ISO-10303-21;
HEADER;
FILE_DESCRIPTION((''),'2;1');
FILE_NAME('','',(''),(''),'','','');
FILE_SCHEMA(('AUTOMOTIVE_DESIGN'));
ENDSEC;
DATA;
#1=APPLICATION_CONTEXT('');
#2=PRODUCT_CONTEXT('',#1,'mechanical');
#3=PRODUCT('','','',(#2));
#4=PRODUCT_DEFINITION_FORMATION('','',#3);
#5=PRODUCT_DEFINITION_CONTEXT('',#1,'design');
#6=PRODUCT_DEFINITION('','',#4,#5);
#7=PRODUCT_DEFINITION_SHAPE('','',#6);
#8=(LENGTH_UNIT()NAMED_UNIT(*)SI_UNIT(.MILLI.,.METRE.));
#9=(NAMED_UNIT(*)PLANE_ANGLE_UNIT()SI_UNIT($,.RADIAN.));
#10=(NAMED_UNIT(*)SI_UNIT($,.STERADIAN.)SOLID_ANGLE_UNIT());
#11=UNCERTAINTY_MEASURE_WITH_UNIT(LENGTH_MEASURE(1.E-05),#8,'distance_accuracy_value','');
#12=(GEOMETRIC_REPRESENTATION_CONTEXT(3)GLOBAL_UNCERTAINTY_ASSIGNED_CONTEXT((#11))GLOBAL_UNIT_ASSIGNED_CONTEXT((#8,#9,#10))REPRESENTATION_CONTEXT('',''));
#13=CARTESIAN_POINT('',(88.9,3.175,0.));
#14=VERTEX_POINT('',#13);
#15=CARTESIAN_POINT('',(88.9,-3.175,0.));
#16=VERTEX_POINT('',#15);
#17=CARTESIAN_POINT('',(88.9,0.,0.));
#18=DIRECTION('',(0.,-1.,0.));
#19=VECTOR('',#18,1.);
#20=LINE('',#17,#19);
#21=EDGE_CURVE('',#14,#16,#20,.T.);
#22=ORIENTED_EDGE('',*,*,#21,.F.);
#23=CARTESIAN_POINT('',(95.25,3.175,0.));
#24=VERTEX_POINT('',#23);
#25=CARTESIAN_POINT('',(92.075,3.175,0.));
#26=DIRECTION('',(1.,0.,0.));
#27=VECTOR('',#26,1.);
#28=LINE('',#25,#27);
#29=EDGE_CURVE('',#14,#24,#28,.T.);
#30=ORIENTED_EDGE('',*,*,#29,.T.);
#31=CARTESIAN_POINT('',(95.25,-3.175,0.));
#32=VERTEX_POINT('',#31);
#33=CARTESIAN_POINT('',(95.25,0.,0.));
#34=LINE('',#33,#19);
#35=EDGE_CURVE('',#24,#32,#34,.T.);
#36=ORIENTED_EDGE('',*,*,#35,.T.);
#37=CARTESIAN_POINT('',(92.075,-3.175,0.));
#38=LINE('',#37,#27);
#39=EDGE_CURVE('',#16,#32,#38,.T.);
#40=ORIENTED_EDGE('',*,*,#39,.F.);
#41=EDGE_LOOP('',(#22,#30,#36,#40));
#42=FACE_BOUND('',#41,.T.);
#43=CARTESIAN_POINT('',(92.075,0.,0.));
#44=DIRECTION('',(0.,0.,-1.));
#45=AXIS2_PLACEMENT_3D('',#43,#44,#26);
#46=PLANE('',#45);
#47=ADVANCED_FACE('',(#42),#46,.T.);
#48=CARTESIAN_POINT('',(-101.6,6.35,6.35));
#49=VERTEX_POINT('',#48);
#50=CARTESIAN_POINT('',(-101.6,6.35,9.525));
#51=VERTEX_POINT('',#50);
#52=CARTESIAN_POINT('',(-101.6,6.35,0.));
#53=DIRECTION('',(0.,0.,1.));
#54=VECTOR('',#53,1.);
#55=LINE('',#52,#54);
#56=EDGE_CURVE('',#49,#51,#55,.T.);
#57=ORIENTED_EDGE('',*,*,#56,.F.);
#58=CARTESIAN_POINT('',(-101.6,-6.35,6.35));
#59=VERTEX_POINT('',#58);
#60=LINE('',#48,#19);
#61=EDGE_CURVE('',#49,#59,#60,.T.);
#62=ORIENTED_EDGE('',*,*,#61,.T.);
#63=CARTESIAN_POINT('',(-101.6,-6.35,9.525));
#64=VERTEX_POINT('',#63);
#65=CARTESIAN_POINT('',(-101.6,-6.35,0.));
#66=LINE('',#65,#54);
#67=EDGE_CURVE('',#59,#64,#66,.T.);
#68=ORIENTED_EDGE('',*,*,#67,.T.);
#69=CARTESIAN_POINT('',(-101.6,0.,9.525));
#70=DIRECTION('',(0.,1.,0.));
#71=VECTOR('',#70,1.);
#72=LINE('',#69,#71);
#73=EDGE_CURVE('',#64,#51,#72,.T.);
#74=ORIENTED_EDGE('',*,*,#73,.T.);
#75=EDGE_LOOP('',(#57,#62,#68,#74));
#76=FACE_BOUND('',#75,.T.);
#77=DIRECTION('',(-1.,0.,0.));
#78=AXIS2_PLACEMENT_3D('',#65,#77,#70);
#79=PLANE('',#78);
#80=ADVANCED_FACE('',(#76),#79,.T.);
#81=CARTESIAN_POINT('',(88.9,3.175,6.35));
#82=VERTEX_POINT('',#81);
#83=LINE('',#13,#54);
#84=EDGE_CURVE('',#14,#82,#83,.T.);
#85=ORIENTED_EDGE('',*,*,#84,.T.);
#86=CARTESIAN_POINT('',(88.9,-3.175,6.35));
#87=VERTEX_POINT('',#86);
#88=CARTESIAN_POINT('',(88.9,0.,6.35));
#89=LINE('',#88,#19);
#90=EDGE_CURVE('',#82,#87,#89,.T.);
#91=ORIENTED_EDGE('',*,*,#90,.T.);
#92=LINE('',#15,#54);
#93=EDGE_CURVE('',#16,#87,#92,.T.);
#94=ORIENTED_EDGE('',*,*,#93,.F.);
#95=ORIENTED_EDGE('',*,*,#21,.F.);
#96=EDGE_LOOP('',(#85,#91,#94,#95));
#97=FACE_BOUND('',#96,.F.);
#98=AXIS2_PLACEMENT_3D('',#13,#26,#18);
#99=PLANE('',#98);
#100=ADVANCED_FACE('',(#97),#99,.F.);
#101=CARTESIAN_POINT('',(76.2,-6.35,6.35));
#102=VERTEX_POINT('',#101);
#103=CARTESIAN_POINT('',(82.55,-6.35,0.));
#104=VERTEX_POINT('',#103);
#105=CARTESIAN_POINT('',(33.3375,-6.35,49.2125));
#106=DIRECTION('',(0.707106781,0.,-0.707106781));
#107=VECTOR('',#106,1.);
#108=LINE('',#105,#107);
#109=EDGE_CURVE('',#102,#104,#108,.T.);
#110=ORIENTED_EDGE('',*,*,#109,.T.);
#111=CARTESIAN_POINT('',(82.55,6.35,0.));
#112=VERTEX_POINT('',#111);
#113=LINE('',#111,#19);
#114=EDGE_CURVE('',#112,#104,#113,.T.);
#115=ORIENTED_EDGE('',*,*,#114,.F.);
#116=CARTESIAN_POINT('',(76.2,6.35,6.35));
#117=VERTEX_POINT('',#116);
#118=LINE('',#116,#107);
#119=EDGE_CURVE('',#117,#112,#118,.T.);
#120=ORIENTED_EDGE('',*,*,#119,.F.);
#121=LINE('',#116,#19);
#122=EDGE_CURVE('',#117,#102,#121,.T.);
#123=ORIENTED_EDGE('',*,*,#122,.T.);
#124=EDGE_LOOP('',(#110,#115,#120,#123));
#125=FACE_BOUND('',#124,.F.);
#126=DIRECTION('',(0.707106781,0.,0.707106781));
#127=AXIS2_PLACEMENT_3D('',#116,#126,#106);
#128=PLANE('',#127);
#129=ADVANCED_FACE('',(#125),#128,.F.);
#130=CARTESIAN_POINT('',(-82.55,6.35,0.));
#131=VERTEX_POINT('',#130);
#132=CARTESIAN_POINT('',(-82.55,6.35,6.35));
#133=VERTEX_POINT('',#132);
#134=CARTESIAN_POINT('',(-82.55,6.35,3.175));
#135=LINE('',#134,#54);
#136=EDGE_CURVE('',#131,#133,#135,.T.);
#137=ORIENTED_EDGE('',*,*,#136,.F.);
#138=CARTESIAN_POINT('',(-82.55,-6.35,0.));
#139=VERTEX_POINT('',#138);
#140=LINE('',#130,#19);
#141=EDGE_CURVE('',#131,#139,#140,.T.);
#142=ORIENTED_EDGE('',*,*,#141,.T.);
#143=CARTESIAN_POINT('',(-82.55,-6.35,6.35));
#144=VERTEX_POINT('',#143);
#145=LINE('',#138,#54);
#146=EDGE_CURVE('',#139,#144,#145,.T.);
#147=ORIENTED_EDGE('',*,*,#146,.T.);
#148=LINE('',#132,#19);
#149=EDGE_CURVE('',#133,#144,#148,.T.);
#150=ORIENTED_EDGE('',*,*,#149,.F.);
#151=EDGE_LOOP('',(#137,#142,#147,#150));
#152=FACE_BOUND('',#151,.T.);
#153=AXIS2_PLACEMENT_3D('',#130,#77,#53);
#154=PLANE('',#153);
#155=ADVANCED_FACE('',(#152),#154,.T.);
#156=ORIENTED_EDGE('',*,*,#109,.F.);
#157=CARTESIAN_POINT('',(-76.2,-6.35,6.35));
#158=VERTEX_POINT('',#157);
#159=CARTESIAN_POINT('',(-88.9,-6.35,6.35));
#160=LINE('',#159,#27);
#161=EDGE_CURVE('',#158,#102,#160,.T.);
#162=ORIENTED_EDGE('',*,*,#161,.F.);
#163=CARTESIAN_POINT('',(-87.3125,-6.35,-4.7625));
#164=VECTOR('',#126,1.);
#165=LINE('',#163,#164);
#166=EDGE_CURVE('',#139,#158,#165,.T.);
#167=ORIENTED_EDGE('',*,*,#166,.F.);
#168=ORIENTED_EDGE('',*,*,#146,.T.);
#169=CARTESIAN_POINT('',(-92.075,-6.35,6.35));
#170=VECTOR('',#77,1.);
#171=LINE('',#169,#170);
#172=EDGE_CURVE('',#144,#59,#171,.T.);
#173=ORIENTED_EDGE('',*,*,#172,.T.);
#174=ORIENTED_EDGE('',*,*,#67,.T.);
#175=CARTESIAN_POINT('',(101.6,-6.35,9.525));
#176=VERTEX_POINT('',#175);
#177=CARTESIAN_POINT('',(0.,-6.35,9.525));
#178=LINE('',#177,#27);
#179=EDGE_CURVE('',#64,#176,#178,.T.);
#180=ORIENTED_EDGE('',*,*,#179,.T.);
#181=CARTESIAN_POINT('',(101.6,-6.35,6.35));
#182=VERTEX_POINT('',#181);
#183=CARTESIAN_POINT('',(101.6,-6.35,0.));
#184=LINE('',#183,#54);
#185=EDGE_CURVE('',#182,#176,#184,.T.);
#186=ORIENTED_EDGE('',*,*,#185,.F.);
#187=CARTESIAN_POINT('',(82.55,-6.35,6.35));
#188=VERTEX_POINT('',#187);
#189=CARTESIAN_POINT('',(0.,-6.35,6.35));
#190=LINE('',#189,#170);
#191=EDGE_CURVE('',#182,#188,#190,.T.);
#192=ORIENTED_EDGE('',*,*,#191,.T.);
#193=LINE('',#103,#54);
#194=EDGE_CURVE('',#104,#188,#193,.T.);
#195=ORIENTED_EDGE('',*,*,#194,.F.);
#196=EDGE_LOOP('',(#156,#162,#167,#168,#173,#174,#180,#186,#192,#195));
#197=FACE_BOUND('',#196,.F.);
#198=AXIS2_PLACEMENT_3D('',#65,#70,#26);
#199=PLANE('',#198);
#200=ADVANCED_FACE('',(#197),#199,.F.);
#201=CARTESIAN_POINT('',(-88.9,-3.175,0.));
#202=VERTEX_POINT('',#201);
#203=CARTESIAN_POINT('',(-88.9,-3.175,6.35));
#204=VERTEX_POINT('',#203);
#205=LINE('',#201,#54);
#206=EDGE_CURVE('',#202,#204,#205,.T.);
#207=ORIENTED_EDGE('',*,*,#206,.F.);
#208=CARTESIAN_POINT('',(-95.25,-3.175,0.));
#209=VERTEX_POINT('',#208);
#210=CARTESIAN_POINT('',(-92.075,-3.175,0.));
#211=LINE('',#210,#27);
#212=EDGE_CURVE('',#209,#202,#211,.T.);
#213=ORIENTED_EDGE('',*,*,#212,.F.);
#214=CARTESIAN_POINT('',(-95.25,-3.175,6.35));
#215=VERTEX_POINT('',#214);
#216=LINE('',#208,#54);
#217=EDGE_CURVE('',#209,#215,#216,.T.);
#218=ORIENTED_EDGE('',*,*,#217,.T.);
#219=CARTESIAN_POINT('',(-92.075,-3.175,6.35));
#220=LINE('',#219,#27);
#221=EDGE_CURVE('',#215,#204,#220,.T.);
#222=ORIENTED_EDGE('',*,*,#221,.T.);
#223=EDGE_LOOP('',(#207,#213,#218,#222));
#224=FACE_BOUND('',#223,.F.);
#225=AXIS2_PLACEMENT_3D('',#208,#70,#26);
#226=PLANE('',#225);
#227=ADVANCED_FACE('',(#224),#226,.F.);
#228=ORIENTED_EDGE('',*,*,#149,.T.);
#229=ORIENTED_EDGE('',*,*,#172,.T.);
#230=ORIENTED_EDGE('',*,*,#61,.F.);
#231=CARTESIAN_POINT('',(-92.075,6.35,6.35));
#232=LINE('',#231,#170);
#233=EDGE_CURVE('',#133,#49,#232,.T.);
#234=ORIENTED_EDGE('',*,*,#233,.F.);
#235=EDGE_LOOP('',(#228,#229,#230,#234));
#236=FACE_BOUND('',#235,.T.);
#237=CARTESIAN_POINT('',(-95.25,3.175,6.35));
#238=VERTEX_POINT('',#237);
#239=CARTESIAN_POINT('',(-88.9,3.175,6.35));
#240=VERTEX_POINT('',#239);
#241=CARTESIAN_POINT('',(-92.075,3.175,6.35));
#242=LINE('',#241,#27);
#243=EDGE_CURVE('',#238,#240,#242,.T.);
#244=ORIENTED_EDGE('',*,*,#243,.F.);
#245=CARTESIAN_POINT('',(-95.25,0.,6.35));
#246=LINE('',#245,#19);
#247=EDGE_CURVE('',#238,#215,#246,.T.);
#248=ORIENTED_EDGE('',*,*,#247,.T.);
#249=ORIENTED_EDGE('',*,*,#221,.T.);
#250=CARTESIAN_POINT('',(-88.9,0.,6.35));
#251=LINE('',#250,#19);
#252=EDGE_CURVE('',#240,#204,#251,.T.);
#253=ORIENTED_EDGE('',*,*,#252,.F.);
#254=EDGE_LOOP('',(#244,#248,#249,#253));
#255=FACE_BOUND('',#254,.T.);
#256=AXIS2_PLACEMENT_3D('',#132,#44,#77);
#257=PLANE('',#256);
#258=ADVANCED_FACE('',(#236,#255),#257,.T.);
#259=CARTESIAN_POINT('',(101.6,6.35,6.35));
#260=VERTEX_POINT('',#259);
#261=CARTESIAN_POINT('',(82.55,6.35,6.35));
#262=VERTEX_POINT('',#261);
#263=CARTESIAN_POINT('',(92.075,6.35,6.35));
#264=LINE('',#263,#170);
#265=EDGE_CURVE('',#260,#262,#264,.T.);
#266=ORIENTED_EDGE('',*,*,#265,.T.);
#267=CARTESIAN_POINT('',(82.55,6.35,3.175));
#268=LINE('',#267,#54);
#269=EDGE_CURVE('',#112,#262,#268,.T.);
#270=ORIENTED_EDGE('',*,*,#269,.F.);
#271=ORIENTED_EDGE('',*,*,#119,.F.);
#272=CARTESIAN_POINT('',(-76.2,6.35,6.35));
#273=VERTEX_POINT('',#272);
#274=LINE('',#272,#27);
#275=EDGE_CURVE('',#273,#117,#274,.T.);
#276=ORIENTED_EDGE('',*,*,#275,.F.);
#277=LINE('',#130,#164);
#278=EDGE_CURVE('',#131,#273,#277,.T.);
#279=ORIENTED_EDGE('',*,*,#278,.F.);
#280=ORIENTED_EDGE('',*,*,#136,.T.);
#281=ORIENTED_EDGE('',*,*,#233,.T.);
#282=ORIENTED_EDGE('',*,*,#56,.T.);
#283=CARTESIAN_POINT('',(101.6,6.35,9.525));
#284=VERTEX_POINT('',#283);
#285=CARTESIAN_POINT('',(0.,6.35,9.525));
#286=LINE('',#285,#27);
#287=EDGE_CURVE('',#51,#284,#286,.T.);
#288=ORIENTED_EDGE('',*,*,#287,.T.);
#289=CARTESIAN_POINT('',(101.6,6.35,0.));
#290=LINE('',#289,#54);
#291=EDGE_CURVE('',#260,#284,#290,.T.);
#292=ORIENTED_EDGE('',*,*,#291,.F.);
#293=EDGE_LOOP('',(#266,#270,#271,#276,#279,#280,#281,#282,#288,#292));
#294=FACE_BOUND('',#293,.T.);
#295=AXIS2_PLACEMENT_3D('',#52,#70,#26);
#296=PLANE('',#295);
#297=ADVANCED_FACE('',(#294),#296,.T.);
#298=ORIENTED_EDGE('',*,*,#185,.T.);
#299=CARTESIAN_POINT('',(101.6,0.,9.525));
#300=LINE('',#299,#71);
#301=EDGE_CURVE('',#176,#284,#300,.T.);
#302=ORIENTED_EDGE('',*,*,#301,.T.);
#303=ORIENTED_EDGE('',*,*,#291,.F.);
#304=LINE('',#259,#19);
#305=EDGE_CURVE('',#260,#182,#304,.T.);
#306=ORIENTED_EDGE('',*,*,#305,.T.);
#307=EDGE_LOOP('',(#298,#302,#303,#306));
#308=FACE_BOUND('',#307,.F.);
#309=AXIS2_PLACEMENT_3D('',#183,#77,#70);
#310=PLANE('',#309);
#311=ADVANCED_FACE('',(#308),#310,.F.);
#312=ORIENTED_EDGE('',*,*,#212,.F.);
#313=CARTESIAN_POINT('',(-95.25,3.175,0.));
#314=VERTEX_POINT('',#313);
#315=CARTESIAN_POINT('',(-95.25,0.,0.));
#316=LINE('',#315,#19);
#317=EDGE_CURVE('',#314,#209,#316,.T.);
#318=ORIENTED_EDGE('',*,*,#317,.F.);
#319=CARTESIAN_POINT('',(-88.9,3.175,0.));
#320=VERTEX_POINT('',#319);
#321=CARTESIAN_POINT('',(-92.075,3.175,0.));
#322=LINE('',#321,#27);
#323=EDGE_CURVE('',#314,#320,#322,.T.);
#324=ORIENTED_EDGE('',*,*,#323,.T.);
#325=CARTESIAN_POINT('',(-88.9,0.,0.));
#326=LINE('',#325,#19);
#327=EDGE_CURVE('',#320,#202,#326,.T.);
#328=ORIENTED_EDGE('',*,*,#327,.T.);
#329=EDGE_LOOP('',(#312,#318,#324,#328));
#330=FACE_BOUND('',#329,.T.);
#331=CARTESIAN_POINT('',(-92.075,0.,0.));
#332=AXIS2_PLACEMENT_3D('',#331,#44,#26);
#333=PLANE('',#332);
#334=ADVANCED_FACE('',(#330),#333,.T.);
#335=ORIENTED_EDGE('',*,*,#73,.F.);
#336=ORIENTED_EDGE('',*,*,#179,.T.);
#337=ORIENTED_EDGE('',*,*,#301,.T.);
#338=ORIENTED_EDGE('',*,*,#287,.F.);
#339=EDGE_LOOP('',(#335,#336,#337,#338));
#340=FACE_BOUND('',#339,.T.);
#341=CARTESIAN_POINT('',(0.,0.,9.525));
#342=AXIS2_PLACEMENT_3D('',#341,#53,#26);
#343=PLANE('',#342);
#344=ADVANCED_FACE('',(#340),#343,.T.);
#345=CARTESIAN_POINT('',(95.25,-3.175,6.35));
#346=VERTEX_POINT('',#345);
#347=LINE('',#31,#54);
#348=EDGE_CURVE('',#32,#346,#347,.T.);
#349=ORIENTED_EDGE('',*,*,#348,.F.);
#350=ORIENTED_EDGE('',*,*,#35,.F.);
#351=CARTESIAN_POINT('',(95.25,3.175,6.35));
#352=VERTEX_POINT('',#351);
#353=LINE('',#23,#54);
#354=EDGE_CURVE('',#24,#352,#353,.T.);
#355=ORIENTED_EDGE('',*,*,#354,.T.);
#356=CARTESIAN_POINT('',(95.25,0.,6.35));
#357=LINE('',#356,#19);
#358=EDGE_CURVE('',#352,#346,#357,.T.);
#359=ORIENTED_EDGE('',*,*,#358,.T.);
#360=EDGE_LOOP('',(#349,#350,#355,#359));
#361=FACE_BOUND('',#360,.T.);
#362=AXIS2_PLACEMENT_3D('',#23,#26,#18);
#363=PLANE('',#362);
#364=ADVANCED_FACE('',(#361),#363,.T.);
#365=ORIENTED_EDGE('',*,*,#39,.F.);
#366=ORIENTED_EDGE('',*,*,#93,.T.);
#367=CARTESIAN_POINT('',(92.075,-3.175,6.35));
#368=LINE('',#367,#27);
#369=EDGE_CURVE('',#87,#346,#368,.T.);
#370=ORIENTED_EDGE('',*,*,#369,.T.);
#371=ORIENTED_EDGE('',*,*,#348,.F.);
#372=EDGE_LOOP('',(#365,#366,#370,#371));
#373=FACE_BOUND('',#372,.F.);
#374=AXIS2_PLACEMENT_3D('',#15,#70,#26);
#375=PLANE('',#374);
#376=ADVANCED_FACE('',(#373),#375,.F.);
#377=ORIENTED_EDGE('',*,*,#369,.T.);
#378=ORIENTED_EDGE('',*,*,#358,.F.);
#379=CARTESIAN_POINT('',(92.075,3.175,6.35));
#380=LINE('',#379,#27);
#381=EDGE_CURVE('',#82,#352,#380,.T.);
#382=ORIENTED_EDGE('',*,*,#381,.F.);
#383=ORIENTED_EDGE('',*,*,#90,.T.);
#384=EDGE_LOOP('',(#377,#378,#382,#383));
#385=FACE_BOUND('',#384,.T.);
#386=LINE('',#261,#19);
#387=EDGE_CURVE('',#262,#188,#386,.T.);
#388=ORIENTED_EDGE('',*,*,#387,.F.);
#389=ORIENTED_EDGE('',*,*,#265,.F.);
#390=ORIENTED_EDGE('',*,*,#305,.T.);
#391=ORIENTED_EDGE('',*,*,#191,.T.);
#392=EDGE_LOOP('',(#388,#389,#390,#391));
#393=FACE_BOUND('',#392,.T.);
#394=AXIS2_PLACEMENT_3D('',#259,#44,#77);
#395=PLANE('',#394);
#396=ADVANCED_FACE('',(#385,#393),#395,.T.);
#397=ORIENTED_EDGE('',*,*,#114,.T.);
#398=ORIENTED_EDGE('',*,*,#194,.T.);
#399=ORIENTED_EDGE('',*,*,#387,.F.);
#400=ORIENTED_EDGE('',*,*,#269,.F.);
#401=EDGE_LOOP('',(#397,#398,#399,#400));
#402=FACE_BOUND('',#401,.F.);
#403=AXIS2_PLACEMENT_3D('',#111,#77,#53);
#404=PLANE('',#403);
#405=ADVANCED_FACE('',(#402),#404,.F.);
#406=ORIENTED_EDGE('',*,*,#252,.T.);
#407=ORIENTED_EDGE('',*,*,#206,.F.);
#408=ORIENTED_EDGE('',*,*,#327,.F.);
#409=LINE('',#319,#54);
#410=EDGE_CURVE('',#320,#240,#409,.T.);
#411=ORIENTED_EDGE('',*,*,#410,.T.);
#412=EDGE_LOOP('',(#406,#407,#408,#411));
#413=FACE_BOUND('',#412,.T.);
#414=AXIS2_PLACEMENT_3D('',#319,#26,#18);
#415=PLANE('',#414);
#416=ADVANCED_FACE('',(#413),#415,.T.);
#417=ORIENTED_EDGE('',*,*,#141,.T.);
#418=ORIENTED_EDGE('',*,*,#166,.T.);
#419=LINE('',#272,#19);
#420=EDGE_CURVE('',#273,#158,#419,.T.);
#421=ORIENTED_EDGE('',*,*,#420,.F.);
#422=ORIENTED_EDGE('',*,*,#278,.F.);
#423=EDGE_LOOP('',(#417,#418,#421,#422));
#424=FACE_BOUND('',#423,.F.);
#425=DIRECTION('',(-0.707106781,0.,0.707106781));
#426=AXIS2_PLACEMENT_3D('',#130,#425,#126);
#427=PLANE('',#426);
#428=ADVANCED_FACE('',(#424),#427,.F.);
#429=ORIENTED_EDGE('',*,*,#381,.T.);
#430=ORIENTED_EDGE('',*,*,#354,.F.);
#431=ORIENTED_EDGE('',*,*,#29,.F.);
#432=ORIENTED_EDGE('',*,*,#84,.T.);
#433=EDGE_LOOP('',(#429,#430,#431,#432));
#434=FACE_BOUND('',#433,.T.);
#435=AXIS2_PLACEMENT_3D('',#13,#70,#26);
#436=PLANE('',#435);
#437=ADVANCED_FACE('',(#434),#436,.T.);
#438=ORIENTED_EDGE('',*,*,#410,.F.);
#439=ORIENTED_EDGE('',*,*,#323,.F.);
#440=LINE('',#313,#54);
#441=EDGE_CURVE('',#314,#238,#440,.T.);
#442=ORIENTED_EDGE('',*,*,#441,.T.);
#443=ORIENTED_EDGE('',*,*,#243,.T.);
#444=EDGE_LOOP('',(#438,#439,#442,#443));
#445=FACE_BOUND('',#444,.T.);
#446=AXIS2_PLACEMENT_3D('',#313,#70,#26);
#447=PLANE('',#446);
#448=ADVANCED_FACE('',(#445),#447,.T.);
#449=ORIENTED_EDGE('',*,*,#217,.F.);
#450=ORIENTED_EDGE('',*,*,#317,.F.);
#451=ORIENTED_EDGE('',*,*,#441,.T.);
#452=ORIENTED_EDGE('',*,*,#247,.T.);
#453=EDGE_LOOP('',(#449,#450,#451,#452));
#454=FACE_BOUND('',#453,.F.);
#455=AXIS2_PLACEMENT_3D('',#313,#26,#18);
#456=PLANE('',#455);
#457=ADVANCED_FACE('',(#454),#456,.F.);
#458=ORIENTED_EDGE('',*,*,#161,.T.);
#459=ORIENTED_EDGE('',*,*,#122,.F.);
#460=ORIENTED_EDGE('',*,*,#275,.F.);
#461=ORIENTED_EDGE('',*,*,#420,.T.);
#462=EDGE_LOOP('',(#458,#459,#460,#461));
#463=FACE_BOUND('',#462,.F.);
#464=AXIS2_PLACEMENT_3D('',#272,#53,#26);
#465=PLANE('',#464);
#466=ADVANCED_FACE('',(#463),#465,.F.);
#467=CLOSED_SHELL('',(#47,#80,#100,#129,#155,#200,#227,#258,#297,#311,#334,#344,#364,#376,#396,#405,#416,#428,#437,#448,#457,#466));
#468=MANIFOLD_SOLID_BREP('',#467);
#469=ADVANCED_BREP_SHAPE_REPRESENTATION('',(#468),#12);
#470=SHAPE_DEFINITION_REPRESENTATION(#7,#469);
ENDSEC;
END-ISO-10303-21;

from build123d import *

# Parameters (mm, degrees)
F0_W     = 203.2
F0_H     = 12.7
F1_DEPTH = 9.525
F2_W     = 19.05
F2_H     = 6.35
F3_DEPTH = 25.4
F4_W     = 6.35
F4_H     = 6.35
F5_DEPTH = 6.35
F7_DEPTH = 25.4


with BuildPart() as f1:
    # F0 (on Top) → F1 (new body)
    with BuildSketch(Plane.XY):
        Rectangle(F0_W, F0_H)
    extrude(amount=F1_DEPTH)

    # F2 (on face) → F3 (cut)
    with BuildSketch(Plane(origin=(0, 6.35, 0), x_dir=(-1, 0, 0), z_dir=(0, 1, 0))):
        with Locations((-92.075, 3.175)):
            Rectangle(F2_W, F2_H)
        with Locations((92.075, 3.175)):
            Rectangle(F2_W, F2_H)
    extrude(amount=-F3_DEPTH, mode=Mode.SUBTRACT)

    # F4 (on face) → F5 (join, through all)
    with BuildSketch(Plane(origin=(0, 0, 0), x_dir=(1, 0, 0), z_dir=(0, 0, -1))):
        with Locations((-92.075, 0)):
            Rectangle(F4_W, F4_H)
        with Locations((92.075, 0)):
            Rectangle(F4_W, F4_H)
    extrude(amount=-F5_DEPTH)

    # F6 (on face) → F7 (cut)
    with BuildSketch(Plane(origin=(0, 6.35, 0), x_dir=(-1, 0, 0), z_dir=(0, 1, 0))):
        Polygon((-82.55, 0), (82.55, 0), (76.2, 6.35), (-76.2, 6.35), align=None)
    extrude(amount=-F7_DEPTH, mode=Mode.SUBTRACT)


solid = f1.part
